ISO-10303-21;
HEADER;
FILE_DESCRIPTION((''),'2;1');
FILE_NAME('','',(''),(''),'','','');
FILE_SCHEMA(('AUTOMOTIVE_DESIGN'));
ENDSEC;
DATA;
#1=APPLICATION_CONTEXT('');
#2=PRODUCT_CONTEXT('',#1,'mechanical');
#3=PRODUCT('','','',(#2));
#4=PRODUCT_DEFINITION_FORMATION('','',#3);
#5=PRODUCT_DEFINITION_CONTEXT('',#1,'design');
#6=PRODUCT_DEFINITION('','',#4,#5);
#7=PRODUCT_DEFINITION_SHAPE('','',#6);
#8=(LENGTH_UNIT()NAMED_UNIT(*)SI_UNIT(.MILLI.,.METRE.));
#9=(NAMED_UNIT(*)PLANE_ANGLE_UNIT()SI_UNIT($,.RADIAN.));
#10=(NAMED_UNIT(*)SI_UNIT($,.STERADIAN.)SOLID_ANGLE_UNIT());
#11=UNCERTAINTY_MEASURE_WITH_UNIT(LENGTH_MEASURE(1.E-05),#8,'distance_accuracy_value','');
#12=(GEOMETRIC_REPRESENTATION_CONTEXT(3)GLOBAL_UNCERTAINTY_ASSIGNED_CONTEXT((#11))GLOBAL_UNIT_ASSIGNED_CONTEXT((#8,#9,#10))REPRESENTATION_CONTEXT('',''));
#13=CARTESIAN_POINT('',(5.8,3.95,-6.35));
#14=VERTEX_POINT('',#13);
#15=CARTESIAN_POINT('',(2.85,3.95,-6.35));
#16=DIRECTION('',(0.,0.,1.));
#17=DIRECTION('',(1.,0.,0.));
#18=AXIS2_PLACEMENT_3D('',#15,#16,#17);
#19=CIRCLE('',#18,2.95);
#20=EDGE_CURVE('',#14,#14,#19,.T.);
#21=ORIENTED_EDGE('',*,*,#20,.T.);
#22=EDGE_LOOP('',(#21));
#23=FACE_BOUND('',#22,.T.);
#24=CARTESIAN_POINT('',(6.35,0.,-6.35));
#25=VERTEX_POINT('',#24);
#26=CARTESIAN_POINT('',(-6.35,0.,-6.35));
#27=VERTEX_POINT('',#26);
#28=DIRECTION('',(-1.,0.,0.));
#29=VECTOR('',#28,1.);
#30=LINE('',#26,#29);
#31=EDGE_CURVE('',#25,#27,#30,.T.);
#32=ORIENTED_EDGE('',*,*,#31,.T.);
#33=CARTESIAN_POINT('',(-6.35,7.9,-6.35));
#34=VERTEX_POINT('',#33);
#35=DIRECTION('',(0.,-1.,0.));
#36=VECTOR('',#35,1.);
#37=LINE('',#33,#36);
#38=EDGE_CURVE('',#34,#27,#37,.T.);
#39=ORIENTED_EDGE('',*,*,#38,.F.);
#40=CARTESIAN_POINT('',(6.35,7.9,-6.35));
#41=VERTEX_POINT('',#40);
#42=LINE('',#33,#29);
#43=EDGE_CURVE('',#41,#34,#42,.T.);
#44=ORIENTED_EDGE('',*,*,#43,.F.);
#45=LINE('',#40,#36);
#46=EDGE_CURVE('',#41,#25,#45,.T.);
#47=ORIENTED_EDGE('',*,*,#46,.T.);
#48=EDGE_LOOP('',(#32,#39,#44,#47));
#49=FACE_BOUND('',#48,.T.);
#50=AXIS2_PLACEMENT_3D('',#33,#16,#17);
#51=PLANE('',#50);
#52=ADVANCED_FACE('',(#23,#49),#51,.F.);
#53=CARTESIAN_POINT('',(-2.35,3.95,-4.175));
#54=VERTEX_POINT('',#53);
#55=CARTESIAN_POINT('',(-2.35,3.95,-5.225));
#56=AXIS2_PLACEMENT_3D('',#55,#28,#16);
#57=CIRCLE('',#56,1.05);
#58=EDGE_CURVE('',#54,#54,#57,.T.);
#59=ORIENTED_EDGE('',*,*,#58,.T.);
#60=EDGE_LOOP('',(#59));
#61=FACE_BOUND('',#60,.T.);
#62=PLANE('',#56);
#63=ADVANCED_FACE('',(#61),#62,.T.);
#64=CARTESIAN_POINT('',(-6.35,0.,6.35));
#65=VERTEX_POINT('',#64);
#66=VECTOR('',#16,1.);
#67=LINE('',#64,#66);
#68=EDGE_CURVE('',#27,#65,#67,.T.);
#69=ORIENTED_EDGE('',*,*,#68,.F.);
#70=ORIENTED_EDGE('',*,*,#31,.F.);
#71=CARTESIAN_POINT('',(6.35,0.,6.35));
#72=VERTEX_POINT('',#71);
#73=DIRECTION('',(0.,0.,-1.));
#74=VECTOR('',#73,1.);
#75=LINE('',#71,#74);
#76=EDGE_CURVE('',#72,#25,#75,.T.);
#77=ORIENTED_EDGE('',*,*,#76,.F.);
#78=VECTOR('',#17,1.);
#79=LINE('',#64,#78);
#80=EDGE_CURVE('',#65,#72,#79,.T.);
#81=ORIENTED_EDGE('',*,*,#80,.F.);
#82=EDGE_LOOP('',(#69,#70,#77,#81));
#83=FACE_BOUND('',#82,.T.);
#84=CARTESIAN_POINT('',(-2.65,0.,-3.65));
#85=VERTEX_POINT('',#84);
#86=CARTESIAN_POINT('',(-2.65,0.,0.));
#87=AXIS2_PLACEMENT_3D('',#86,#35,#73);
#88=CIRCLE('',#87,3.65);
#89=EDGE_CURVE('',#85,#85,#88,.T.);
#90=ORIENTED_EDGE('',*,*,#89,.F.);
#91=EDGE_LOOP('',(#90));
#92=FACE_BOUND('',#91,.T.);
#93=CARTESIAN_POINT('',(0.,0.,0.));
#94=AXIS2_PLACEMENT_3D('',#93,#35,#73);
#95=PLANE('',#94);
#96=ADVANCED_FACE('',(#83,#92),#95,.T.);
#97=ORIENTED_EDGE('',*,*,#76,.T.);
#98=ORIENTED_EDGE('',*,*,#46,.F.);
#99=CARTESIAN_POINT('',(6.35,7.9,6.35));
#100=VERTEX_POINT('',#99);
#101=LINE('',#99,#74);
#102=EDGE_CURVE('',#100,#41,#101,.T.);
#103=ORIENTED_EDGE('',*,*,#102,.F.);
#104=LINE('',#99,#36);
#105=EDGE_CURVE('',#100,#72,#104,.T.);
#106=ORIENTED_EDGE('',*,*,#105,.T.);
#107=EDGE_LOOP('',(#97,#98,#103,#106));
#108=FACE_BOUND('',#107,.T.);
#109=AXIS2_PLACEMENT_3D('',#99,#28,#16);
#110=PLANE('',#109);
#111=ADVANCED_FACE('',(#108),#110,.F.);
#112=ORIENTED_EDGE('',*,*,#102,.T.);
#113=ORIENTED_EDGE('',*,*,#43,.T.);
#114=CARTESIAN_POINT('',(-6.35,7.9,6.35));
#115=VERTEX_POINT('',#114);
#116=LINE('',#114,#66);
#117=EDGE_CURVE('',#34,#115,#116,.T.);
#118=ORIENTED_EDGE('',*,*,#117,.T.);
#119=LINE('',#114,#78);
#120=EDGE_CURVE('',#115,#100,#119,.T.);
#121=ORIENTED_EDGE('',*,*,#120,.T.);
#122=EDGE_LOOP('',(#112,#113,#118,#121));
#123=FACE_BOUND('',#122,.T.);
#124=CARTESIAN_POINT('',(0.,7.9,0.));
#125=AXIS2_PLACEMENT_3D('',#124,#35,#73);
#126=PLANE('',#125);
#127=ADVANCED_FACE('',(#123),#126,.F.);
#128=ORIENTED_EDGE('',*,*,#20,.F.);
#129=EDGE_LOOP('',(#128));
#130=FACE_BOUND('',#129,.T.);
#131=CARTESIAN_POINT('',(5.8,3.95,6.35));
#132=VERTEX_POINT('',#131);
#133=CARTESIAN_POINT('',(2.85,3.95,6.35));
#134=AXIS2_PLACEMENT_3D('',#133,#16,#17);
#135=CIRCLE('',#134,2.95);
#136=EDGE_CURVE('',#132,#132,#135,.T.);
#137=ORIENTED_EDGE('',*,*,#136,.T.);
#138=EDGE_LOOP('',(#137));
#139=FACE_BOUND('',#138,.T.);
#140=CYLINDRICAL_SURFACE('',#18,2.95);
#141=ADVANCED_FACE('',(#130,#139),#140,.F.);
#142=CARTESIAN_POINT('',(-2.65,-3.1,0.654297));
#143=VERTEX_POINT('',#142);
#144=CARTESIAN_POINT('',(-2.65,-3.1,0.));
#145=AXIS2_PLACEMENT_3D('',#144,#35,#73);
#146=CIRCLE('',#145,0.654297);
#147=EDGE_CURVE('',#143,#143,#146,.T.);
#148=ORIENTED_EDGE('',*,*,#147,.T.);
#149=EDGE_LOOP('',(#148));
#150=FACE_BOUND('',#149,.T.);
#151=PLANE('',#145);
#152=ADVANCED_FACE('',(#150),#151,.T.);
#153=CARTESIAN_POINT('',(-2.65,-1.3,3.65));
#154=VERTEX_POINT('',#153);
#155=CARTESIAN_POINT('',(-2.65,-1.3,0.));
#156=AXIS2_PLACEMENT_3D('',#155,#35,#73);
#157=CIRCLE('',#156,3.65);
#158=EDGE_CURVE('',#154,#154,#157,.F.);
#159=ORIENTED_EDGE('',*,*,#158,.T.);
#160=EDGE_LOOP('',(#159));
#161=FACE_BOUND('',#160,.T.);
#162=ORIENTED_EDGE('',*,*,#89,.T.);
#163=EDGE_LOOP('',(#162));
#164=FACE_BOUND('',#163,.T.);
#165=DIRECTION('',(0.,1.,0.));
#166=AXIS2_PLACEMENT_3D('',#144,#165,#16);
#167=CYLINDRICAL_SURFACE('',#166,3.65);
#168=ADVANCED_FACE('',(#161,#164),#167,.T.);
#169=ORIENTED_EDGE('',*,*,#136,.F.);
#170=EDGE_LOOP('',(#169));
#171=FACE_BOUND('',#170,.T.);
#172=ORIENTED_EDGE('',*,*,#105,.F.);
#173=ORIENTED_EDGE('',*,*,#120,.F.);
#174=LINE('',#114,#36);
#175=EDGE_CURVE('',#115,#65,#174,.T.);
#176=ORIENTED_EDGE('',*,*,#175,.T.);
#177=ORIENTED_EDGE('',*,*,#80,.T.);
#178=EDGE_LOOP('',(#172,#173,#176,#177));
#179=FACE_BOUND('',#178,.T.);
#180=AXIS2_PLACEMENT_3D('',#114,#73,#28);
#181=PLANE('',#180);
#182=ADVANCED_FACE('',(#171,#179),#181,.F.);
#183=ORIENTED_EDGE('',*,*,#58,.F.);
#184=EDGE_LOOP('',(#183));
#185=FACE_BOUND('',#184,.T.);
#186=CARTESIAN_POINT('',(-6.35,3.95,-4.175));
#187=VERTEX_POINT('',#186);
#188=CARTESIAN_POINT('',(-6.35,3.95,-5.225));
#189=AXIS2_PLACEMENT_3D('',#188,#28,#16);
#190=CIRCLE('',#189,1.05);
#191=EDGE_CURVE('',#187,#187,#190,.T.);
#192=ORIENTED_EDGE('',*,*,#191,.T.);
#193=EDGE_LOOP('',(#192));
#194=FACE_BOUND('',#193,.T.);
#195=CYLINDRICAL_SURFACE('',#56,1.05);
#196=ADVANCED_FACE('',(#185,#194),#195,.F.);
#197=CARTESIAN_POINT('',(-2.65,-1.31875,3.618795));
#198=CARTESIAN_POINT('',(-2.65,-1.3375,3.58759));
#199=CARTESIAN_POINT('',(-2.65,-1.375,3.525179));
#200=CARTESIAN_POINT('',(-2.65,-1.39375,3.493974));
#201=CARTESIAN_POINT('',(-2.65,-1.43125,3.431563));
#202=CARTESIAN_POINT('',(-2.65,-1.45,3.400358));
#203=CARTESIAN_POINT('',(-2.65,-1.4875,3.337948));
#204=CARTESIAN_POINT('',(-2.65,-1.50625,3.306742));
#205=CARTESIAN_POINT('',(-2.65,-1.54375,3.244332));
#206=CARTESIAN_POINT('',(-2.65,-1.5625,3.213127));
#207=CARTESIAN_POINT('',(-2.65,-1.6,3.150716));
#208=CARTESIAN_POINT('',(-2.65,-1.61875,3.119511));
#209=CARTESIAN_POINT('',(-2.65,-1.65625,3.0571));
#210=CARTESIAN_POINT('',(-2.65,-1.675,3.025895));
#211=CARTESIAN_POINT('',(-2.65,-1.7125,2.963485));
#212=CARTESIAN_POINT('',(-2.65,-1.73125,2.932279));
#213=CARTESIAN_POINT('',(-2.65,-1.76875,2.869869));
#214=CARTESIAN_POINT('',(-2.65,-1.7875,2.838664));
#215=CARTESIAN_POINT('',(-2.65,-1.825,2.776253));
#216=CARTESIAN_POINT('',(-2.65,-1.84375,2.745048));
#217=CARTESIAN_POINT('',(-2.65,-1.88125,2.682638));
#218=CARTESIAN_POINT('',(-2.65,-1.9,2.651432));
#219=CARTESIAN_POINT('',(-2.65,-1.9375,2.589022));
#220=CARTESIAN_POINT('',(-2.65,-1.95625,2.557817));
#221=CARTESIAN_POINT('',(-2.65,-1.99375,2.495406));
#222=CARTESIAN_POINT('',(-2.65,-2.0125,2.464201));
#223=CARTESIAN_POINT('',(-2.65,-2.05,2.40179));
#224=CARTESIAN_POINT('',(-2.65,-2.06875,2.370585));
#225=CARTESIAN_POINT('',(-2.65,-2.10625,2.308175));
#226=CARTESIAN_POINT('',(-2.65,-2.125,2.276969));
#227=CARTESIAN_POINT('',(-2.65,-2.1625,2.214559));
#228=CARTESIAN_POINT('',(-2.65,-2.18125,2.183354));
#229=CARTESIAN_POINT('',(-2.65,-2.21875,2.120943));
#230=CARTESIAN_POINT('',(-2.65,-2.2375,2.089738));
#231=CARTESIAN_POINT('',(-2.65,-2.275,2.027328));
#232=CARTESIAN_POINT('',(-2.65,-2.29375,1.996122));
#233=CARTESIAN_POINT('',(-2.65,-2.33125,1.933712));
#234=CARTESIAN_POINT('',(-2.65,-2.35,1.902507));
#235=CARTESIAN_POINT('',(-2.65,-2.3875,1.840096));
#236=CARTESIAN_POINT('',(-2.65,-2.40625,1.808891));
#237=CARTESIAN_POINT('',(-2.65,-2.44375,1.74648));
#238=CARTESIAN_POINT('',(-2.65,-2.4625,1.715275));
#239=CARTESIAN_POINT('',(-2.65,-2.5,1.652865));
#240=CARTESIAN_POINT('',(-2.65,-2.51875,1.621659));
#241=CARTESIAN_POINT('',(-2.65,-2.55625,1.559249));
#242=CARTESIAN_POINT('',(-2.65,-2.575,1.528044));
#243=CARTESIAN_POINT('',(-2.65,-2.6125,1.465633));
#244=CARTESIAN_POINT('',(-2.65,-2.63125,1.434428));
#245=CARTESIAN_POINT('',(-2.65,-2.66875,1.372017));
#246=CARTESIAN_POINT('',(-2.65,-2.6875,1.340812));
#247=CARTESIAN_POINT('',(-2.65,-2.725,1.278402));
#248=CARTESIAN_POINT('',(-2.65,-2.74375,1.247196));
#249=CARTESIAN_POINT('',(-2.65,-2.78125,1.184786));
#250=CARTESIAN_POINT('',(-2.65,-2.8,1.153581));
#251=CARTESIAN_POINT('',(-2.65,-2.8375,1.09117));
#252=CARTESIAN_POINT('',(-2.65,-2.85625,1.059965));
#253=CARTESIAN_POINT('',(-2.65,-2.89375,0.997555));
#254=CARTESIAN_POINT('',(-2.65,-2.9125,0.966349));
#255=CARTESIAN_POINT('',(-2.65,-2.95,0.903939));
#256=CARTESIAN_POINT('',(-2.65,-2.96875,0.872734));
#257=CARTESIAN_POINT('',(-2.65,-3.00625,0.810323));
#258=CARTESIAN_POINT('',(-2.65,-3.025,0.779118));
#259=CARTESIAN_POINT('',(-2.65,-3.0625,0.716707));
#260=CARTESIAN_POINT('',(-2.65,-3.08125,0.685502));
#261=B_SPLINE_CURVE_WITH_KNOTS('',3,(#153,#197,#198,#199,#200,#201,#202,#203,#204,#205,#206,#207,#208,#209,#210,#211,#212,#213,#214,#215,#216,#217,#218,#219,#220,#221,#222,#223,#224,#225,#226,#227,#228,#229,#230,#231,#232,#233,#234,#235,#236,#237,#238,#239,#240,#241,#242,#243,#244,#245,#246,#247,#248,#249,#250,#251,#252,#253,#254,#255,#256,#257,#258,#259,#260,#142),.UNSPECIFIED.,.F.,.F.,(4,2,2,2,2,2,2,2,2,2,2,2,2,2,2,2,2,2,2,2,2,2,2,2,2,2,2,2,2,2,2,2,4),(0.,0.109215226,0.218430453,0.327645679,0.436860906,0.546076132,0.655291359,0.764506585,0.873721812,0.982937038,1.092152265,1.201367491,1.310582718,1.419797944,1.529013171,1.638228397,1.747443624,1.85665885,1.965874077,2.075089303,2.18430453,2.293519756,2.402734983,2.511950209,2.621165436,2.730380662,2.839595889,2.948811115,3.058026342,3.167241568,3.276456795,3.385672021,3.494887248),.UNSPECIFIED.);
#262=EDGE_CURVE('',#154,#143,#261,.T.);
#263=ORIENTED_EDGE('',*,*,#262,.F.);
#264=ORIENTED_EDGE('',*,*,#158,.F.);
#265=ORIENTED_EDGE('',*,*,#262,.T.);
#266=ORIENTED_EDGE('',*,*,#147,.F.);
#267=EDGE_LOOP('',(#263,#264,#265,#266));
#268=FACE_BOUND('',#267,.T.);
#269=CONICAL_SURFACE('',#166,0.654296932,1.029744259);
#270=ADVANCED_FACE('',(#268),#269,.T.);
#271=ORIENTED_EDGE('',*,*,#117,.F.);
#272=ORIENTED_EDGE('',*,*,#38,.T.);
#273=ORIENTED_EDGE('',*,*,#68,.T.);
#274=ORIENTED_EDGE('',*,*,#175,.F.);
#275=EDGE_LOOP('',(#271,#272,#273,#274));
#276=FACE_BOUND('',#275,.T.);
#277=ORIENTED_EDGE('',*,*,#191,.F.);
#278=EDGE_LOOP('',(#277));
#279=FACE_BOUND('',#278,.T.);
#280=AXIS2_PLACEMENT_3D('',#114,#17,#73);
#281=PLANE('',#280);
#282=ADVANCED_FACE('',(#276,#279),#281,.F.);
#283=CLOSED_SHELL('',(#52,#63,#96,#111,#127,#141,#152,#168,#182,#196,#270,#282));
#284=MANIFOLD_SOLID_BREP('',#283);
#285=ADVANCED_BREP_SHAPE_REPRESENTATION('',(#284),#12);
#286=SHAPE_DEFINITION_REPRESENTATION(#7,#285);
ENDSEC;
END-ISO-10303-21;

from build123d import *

# Parameters (mm, degrees)
SKETCH1_W           = 12.7
SKETCH1_H           = 12.7
BOSS_EXTRUDE1_DEPTH = 7.9
SKETCH2_R           = 2.95
CUT_EXTRUDE1_DEPTH  = 17.248769184
SKETCH3_R           = 3.65
BOSS_EXTRUDE2_DEPTH = 3.1
CHAMFER1_SIZE       = 1.8
CHAMFER1_SIZE2      = 2.995703068
SKETCH4_R           = 1.05
CUT_EXTRUDE2_DEPTH  = 4


with BuildPart() as part:
    # Sketch1 → Boss-Extrude1 (new body)
    with BuildSketch(Plane(origin=(0, 0, 0), x_dir=(1, 0, 0), z_dir=(0, 1, 0))):
        Rectangle(SKETCH1_W, SKETCH1_H)
    extrude(amount=BOSS_EXTRUDE1_DEPTH)

    # Sketch2 → Cut-Extrude1 (cut, through all)
    with BuildSketch(Plane.XY.offset(6.35)):
        with Locations((2.85, 3.95)):
            Circle(SKETCH2_R)
    extrude(amount=-CUT_EXTRUDE1_DEPTH, mode=Mode.SUBTRACT)

    # Sketch3 → Boss-Extrude2 (add)
    with BuildSketch(Plane.XZ):
        with Locations(Location((-2.65, 0, 0), (0, 0, 270))):
            Circle(SKETCH3_R)
    extrude(amount=BOSS_EXTRUDE2_DEPTH)

    # Chamfer1
    chamfer1_edges = [part.edges().sort_by_distance(p)[0] for p in [
        (-2.65, -3.1, 3.65),
    ]]
    chamfer1_side = [part.faces().sort_by_distance(p)[0] for p in [
        (-2.65, -1.55, 3.65),
    ]]
    chamfer(chamfer1_edges, length=CHAMFER1_SIZE, length2=CHAMFER1_SIZE2, reference=chamfer1_side[0])

    # Sketch4 → Cut-Extrude2 (cut)
    with BuildSketch(Plane.ZY.offset(6.35)):
        with Locations((-5.225, 3.95)):
            Circle(SKETCH4_R)
    extrude(amount=-CUT_EXTRUDE2_DEPTH, mode=Mode.SUBTRACT)


solid = part.part
